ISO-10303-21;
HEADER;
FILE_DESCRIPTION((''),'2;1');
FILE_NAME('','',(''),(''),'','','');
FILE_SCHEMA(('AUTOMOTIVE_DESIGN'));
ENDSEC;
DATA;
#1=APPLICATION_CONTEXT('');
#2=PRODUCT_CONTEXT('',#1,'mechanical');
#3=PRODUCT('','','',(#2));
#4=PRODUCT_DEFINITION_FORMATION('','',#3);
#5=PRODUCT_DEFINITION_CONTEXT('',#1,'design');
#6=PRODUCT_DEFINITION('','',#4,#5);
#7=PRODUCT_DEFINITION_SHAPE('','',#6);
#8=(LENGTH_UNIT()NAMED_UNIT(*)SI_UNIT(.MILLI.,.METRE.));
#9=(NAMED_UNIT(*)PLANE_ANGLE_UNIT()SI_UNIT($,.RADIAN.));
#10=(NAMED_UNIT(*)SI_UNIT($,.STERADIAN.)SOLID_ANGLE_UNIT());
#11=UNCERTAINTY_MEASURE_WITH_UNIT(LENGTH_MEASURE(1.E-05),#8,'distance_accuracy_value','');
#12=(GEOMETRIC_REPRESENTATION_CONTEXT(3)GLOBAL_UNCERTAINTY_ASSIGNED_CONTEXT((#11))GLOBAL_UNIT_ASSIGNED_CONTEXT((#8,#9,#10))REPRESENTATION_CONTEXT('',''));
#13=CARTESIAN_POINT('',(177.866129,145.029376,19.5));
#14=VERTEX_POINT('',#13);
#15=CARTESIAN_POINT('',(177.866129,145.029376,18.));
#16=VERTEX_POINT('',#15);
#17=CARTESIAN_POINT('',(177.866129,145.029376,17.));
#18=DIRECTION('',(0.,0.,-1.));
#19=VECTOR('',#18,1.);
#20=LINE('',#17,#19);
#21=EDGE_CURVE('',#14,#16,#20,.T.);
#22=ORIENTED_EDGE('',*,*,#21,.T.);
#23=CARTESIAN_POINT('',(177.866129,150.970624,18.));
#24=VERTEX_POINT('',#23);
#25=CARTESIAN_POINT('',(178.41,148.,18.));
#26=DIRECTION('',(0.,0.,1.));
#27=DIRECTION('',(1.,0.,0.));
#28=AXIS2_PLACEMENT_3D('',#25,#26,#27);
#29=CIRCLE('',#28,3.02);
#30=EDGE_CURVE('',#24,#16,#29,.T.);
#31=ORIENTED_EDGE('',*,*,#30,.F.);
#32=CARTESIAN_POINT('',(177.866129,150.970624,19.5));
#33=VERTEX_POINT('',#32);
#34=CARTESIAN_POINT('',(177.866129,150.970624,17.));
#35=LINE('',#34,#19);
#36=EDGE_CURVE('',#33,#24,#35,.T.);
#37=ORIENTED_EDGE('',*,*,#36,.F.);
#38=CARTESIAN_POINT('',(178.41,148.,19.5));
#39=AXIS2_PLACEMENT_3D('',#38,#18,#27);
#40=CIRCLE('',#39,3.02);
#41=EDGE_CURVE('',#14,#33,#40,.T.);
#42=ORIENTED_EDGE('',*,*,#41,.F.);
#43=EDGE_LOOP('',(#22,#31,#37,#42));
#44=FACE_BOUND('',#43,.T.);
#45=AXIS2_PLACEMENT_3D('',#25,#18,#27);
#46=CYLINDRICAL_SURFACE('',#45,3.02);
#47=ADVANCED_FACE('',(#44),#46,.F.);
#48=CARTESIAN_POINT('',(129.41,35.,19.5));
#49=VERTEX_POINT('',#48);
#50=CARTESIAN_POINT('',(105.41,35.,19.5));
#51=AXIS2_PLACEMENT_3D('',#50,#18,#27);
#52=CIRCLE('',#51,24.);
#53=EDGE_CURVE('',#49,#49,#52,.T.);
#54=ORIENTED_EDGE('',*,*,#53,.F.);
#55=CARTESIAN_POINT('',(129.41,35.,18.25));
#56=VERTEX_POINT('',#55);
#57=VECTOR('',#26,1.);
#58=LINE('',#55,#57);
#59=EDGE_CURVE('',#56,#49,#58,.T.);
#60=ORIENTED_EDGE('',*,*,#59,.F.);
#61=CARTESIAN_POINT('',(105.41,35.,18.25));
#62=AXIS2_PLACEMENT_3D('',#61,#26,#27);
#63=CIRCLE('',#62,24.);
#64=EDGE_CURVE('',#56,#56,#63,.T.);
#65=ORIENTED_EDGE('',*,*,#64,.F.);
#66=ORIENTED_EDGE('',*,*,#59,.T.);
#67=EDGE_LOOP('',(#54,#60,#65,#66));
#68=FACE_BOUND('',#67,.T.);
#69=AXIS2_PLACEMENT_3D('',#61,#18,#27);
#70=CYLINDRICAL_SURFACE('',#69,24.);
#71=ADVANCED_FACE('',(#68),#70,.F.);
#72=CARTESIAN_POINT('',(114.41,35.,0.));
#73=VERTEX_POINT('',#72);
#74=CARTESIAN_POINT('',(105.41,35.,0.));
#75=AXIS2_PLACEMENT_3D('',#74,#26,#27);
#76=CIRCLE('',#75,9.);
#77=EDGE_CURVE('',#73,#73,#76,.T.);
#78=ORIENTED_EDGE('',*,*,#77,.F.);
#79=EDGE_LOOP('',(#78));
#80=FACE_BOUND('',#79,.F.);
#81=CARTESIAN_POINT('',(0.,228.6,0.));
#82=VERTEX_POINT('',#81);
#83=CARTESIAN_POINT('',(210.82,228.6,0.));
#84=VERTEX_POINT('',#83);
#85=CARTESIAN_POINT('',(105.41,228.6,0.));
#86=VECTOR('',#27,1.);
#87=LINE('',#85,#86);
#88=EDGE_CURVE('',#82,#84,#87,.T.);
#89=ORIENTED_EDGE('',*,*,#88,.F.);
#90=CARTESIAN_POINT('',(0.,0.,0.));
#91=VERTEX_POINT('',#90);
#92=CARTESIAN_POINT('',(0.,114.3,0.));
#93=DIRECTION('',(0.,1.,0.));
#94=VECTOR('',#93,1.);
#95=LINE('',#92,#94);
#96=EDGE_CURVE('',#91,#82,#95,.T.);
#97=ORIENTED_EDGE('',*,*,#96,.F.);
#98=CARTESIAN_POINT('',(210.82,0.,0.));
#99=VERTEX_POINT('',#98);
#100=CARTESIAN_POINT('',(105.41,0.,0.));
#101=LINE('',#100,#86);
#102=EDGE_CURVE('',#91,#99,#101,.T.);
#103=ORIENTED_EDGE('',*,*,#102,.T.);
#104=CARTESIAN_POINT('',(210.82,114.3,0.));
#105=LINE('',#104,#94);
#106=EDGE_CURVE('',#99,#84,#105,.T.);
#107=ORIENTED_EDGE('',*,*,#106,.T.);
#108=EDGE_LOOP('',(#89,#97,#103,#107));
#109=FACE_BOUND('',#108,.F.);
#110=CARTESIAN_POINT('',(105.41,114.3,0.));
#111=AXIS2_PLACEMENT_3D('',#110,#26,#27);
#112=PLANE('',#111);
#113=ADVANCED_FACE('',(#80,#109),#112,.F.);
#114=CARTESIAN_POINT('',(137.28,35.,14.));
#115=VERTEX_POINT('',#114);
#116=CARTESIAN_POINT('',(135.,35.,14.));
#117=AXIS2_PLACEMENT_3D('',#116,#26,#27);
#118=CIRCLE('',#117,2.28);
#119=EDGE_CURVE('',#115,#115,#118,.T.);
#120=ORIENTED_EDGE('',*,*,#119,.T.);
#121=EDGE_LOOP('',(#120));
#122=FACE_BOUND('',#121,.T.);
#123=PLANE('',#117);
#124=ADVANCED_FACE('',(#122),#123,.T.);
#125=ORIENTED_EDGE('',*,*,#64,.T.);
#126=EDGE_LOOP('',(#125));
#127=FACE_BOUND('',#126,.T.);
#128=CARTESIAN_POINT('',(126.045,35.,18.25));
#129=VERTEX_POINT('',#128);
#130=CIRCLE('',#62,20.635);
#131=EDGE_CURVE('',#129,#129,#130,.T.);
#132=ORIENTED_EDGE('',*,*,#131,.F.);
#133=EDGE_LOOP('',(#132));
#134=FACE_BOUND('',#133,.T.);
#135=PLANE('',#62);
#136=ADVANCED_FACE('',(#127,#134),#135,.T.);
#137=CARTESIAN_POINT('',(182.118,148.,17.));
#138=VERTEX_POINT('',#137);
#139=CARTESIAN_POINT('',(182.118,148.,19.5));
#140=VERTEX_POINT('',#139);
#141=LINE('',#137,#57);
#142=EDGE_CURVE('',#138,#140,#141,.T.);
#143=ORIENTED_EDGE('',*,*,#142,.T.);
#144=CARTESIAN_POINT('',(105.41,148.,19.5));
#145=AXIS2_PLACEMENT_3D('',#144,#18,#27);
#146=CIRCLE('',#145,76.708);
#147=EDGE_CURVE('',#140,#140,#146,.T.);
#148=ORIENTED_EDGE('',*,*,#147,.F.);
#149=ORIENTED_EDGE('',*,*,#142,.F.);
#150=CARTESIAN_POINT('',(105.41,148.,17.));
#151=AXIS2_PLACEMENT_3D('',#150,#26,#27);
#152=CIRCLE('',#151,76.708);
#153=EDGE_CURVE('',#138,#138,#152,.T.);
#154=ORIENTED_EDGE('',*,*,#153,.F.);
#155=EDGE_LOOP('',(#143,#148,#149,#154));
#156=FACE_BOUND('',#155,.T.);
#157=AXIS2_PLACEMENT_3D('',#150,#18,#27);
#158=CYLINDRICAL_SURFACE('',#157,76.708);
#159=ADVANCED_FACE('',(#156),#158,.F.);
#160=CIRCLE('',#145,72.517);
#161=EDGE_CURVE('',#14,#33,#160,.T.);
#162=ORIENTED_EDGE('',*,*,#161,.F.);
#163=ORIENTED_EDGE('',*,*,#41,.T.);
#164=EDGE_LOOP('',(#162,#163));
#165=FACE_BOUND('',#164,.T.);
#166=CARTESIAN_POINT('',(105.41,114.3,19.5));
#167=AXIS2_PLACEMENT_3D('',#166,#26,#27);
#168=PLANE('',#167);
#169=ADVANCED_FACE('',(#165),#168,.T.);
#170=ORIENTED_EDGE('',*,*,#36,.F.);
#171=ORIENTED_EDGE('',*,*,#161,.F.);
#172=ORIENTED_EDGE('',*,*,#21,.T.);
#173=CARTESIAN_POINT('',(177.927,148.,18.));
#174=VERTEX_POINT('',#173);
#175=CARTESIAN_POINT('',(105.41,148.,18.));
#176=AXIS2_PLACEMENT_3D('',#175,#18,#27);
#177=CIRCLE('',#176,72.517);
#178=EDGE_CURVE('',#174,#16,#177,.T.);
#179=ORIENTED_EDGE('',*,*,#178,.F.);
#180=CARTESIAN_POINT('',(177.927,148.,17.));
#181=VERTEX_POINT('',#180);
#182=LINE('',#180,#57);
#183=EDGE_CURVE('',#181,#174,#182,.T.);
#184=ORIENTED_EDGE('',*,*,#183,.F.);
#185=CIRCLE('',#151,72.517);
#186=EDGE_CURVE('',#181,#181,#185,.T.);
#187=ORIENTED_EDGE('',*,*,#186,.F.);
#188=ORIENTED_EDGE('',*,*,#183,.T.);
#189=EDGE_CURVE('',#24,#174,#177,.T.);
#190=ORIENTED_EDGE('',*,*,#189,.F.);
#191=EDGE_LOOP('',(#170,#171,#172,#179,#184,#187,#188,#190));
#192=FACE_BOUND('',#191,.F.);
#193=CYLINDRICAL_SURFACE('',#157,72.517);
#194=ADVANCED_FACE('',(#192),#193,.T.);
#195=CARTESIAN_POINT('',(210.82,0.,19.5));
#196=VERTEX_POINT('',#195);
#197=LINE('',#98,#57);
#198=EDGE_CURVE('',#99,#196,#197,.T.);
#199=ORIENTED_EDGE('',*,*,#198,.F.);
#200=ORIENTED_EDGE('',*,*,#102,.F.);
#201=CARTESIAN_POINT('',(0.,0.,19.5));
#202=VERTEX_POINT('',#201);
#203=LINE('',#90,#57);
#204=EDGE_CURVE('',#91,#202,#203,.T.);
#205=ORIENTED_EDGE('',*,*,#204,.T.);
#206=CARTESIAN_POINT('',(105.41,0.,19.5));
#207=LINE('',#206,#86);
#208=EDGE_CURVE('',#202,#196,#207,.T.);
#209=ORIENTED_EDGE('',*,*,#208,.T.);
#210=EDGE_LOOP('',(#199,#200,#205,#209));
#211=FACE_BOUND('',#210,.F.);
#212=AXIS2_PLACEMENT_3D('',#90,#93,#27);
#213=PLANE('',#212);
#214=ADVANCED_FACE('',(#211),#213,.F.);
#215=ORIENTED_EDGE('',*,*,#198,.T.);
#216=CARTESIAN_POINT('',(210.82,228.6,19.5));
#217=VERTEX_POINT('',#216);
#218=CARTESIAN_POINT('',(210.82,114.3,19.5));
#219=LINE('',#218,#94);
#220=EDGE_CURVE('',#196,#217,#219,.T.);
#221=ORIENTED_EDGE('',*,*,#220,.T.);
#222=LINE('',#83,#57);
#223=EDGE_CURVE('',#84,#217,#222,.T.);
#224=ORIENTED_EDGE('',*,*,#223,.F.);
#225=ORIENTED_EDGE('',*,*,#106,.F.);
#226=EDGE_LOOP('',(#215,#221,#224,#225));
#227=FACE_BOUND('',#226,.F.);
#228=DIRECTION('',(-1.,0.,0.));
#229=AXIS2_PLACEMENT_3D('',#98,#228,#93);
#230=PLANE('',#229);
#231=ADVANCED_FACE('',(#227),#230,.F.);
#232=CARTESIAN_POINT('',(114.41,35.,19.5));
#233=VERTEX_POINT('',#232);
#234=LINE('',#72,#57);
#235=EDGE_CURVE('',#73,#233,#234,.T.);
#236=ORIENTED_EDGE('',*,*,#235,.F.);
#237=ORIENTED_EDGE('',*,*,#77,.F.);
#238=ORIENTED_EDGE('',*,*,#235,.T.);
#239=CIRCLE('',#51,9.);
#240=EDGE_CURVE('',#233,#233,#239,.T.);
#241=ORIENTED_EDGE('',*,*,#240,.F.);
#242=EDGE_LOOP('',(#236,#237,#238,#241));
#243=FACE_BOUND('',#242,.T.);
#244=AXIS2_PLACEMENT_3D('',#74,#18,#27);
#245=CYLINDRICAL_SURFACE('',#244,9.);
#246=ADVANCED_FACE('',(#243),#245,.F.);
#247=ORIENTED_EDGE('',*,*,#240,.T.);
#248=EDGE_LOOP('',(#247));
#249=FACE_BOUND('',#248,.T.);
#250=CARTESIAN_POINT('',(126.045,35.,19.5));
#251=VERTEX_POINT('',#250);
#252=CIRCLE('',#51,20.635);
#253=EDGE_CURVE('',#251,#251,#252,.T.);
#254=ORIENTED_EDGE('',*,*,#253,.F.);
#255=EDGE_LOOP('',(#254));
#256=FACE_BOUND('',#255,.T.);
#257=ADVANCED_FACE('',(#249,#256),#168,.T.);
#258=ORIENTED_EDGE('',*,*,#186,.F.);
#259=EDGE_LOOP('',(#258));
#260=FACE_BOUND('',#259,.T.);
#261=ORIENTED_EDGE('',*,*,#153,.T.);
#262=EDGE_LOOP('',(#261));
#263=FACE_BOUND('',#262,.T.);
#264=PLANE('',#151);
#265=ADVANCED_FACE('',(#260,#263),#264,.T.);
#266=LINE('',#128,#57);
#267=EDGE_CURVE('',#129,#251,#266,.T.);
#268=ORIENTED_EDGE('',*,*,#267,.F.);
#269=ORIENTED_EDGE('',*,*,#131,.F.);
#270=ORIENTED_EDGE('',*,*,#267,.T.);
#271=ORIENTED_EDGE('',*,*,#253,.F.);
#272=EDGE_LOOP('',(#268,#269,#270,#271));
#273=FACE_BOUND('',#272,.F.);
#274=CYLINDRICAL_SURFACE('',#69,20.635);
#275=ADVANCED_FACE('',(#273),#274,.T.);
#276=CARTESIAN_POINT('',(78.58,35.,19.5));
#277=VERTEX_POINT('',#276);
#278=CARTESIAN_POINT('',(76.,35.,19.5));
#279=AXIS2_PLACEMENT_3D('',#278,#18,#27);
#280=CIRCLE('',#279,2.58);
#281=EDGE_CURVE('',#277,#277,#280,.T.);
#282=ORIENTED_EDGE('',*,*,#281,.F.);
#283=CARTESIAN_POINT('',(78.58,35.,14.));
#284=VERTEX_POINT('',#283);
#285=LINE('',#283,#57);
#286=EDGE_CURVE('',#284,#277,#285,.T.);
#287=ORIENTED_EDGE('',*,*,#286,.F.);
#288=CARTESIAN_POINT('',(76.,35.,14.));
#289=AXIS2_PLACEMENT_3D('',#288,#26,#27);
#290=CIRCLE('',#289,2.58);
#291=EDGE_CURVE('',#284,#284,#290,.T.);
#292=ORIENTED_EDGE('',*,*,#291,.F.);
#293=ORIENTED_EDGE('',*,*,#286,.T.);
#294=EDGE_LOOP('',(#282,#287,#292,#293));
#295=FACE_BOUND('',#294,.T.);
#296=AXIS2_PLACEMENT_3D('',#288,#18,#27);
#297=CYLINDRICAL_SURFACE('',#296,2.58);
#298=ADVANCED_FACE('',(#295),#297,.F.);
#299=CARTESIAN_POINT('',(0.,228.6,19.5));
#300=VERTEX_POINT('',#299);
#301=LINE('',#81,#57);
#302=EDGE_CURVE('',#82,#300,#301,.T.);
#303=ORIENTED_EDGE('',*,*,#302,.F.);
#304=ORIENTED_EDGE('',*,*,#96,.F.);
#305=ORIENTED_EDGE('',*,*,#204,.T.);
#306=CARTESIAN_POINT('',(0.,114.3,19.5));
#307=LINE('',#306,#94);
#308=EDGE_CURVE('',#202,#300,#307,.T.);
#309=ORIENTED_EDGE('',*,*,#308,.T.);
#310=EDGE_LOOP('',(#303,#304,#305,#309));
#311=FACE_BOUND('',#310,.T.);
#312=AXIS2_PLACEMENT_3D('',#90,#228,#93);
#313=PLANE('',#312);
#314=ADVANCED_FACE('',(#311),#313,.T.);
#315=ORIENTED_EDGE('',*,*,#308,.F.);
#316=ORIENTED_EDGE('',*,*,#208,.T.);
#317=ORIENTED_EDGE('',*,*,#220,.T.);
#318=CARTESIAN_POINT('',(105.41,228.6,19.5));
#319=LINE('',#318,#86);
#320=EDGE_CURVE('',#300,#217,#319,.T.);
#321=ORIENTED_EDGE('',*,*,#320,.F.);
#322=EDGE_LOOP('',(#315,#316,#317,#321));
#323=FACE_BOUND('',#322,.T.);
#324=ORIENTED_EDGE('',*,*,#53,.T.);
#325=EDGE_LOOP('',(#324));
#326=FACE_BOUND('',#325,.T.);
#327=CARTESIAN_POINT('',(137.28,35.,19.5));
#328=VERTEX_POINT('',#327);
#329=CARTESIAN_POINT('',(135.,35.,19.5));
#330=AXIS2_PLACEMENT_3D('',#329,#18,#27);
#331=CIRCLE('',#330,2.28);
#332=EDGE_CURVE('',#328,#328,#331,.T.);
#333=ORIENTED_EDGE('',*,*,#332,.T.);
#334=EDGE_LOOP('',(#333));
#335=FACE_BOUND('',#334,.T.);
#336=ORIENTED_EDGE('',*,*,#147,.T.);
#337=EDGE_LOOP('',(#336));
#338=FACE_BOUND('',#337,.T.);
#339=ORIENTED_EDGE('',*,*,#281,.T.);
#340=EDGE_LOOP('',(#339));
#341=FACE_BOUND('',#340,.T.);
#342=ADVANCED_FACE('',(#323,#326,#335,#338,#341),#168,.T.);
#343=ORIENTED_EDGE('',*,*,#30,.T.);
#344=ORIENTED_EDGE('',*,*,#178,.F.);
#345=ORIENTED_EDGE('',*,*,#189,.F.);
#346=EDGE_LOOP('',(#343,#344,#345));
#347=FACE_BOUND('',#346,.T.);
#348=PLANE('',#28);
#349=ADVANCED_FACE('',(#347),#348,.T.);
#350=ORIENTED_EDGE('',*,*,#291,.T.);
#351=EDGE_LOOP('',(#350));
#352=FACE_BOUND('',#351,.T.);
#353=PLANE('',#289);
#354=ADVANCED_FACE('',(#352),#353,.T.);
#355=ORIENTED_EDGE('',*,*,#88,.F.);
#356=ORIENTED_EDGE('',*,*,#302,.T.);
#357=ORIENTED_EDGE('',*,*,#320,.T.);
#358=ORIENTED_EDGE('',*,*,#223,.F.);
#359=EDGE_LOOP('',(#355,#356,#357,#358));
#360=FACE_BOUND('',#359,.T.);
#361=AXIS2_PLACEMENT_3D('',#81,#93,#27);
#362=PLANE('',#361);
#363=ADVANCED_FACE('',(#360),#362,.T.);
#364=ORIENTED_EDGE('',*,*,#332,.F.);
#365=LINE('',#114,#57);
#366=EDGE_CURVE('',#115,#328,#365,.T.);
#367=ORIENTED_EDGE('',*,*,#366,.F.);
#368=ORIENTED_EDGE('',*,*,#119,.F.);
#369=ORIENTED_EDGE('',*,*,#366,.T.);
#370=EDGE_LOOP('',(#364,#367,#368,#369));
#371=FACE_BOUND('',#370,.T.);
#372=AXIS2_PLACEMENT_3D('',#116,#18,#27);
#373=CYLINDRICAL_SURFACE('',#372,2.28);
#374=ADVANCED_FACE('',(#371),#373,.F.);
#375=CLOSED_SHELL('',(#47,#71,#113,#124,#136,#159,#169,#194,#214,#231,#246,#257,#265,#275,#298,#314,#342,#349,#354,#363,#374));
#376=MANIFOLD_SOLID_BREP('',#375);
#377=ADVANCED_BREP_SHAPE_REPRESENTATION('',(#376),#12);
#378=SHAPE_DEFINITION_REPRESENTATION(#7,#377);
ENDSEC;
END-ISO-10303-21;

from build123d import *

# Parameters (mm, degrees)
CYLINDER163_R     = 2.58
CYLINDER163_DEPTH = 29
CYLINDER161_R     = 72.517
CYLINDER161_DEPTH = 3
CYLINDER160_R     = 76.708
CYLINDER160_DEPTH = 3
CYLINDER162_R     = 3.02
CYLINDER162_DEPTH = 2
CYLINDER159_R     = 9
CYLINDER159_DEPTH = 21
CYLINDER158_R     = 20.635
CYLINDER158_DEPTH = 41.275
CYLINDER157_R     = 24
CYLINDER157_DEPTH = 3.175
CYLINDER164_R     = 2.28
CYLINDER164_DEPTH = 29
BOX_W             = 210.82
BOX_H             = 228.6
BOX_DEPTH         = 19.5


with BuildPart() as cylinder015:
    # Cylinder163 → Cylinder163 (new body)
    with BuildSketch(Plane(origin=(76, 35, 14), x_dir=(1, 0, 0), z_dir=(0, 0, 1))):
        Circle(CYLINDER163_R)
    extrude(amount=CYLINDER163_DEPTH)


with BuildPart() as cylinder013:
    # Cylinder161 → Cylinder161 (new body)
    with BuildSketch(Plane(origin=(105.41, 148, 17), x_dir=(1, 0, 0), z_dir=(0, 0, 1))):
        Circle(CYLINDER161_R)
    extrude(amount=CYLINDER161_DEPTH)


with BuildPart() as cut021:
    # Cylinder160 → Cylinder160 (new body)
    with BuildSketch(Plane(origin=(105.41, 148, 17), x_dir=(1, 0, 0), z_dir=(0, 0, 1))):
        Circle(CYLINDER160_R)
    extrude(amount=CYLINDER160_DEPTH)

    # Cut021: cut Cylinder013
    add(cylinder013.part, mode=Mode.SUBTRACT)


with BuildPart() as cylinder014:
    # Cylinder162 → Cylinder162 (new body)
    with BuildSketch(Plane(origin=(178.41, 148, 18), x_dir=(1, 0, 0), z_dir=(0, 0, 1))):
        Circle(CYLINDER162_R)
    extrude(amount=CYLINDER162_DEPTH)


with BuildPart() as cylinder011:
    # Cylinder159 → Cylinder159 (new body)
    with BuildSketch(Plane(origin=(105.41, 35, 0), x_dir=(1, 0, 0), z_dir=(0, 0, 1))):
        Circle(CYLINDER159_R)
    extrude(amount=CYLINDER159_DEPTH)


with BuildPart() as cylinder010:
    # Cylinder158 → Cylinder158 (new body)
    with BuildSketch(Plane.XY):
        Circle(CYLINDER158_R)
    extrude(amount=CYLINDER158_DEPTH)


with BuildPart() as cut020:
    # Cylinder157 → Cylinder157 (new body)
    with BuildSketch(Plane.XY):
        Circle(CYLINDER157_R)
    extrude(amount=CYLINDER157_DEPTH)

    # Cut020: cut Cylinder010
    add(cylinder010.part, mode=Mode.SUBTRACT)


with BuildPart() as cut020_1:
    # Cut020 placement: moved
    add(cut020.part.moved(Location((105.41, 35, 18.25))))


with BuildPart() as fusion058:
    # Cylinder164 → Cylinder164 (new body)
    with BuildSketch(Plane(origin=(135, 35, 14), x_dir=(1, 0, 0), z_dir=(0, 0, 1))):
        Circle(CYLINDER164_R)
    extrude(amount=CYLINDER164_DEPTH)

    # Fusion058: union Cylinder015, Cut021, Cylinder014, Cylinder011, Cut020
    add(cylinder015.part)
    add(cut021.part)
    add(cylinder014.part)
    add(cylinder011.part)
    add(cut020_1.part)


with BuildPart() as base_cut022:
    # Box → Box (new body)
    with BuildSketch(Plane.XY):
        with Locations((105.41, 114.3)):
            Rectangle(BOX_W, BOX_H)
    extrude(amount=BOX_DEPTH)

    # Cut022: cut Fusion058
    add(fusion058.part, mode=Mode.SUBTRACT)


solid = base_cut022.part
